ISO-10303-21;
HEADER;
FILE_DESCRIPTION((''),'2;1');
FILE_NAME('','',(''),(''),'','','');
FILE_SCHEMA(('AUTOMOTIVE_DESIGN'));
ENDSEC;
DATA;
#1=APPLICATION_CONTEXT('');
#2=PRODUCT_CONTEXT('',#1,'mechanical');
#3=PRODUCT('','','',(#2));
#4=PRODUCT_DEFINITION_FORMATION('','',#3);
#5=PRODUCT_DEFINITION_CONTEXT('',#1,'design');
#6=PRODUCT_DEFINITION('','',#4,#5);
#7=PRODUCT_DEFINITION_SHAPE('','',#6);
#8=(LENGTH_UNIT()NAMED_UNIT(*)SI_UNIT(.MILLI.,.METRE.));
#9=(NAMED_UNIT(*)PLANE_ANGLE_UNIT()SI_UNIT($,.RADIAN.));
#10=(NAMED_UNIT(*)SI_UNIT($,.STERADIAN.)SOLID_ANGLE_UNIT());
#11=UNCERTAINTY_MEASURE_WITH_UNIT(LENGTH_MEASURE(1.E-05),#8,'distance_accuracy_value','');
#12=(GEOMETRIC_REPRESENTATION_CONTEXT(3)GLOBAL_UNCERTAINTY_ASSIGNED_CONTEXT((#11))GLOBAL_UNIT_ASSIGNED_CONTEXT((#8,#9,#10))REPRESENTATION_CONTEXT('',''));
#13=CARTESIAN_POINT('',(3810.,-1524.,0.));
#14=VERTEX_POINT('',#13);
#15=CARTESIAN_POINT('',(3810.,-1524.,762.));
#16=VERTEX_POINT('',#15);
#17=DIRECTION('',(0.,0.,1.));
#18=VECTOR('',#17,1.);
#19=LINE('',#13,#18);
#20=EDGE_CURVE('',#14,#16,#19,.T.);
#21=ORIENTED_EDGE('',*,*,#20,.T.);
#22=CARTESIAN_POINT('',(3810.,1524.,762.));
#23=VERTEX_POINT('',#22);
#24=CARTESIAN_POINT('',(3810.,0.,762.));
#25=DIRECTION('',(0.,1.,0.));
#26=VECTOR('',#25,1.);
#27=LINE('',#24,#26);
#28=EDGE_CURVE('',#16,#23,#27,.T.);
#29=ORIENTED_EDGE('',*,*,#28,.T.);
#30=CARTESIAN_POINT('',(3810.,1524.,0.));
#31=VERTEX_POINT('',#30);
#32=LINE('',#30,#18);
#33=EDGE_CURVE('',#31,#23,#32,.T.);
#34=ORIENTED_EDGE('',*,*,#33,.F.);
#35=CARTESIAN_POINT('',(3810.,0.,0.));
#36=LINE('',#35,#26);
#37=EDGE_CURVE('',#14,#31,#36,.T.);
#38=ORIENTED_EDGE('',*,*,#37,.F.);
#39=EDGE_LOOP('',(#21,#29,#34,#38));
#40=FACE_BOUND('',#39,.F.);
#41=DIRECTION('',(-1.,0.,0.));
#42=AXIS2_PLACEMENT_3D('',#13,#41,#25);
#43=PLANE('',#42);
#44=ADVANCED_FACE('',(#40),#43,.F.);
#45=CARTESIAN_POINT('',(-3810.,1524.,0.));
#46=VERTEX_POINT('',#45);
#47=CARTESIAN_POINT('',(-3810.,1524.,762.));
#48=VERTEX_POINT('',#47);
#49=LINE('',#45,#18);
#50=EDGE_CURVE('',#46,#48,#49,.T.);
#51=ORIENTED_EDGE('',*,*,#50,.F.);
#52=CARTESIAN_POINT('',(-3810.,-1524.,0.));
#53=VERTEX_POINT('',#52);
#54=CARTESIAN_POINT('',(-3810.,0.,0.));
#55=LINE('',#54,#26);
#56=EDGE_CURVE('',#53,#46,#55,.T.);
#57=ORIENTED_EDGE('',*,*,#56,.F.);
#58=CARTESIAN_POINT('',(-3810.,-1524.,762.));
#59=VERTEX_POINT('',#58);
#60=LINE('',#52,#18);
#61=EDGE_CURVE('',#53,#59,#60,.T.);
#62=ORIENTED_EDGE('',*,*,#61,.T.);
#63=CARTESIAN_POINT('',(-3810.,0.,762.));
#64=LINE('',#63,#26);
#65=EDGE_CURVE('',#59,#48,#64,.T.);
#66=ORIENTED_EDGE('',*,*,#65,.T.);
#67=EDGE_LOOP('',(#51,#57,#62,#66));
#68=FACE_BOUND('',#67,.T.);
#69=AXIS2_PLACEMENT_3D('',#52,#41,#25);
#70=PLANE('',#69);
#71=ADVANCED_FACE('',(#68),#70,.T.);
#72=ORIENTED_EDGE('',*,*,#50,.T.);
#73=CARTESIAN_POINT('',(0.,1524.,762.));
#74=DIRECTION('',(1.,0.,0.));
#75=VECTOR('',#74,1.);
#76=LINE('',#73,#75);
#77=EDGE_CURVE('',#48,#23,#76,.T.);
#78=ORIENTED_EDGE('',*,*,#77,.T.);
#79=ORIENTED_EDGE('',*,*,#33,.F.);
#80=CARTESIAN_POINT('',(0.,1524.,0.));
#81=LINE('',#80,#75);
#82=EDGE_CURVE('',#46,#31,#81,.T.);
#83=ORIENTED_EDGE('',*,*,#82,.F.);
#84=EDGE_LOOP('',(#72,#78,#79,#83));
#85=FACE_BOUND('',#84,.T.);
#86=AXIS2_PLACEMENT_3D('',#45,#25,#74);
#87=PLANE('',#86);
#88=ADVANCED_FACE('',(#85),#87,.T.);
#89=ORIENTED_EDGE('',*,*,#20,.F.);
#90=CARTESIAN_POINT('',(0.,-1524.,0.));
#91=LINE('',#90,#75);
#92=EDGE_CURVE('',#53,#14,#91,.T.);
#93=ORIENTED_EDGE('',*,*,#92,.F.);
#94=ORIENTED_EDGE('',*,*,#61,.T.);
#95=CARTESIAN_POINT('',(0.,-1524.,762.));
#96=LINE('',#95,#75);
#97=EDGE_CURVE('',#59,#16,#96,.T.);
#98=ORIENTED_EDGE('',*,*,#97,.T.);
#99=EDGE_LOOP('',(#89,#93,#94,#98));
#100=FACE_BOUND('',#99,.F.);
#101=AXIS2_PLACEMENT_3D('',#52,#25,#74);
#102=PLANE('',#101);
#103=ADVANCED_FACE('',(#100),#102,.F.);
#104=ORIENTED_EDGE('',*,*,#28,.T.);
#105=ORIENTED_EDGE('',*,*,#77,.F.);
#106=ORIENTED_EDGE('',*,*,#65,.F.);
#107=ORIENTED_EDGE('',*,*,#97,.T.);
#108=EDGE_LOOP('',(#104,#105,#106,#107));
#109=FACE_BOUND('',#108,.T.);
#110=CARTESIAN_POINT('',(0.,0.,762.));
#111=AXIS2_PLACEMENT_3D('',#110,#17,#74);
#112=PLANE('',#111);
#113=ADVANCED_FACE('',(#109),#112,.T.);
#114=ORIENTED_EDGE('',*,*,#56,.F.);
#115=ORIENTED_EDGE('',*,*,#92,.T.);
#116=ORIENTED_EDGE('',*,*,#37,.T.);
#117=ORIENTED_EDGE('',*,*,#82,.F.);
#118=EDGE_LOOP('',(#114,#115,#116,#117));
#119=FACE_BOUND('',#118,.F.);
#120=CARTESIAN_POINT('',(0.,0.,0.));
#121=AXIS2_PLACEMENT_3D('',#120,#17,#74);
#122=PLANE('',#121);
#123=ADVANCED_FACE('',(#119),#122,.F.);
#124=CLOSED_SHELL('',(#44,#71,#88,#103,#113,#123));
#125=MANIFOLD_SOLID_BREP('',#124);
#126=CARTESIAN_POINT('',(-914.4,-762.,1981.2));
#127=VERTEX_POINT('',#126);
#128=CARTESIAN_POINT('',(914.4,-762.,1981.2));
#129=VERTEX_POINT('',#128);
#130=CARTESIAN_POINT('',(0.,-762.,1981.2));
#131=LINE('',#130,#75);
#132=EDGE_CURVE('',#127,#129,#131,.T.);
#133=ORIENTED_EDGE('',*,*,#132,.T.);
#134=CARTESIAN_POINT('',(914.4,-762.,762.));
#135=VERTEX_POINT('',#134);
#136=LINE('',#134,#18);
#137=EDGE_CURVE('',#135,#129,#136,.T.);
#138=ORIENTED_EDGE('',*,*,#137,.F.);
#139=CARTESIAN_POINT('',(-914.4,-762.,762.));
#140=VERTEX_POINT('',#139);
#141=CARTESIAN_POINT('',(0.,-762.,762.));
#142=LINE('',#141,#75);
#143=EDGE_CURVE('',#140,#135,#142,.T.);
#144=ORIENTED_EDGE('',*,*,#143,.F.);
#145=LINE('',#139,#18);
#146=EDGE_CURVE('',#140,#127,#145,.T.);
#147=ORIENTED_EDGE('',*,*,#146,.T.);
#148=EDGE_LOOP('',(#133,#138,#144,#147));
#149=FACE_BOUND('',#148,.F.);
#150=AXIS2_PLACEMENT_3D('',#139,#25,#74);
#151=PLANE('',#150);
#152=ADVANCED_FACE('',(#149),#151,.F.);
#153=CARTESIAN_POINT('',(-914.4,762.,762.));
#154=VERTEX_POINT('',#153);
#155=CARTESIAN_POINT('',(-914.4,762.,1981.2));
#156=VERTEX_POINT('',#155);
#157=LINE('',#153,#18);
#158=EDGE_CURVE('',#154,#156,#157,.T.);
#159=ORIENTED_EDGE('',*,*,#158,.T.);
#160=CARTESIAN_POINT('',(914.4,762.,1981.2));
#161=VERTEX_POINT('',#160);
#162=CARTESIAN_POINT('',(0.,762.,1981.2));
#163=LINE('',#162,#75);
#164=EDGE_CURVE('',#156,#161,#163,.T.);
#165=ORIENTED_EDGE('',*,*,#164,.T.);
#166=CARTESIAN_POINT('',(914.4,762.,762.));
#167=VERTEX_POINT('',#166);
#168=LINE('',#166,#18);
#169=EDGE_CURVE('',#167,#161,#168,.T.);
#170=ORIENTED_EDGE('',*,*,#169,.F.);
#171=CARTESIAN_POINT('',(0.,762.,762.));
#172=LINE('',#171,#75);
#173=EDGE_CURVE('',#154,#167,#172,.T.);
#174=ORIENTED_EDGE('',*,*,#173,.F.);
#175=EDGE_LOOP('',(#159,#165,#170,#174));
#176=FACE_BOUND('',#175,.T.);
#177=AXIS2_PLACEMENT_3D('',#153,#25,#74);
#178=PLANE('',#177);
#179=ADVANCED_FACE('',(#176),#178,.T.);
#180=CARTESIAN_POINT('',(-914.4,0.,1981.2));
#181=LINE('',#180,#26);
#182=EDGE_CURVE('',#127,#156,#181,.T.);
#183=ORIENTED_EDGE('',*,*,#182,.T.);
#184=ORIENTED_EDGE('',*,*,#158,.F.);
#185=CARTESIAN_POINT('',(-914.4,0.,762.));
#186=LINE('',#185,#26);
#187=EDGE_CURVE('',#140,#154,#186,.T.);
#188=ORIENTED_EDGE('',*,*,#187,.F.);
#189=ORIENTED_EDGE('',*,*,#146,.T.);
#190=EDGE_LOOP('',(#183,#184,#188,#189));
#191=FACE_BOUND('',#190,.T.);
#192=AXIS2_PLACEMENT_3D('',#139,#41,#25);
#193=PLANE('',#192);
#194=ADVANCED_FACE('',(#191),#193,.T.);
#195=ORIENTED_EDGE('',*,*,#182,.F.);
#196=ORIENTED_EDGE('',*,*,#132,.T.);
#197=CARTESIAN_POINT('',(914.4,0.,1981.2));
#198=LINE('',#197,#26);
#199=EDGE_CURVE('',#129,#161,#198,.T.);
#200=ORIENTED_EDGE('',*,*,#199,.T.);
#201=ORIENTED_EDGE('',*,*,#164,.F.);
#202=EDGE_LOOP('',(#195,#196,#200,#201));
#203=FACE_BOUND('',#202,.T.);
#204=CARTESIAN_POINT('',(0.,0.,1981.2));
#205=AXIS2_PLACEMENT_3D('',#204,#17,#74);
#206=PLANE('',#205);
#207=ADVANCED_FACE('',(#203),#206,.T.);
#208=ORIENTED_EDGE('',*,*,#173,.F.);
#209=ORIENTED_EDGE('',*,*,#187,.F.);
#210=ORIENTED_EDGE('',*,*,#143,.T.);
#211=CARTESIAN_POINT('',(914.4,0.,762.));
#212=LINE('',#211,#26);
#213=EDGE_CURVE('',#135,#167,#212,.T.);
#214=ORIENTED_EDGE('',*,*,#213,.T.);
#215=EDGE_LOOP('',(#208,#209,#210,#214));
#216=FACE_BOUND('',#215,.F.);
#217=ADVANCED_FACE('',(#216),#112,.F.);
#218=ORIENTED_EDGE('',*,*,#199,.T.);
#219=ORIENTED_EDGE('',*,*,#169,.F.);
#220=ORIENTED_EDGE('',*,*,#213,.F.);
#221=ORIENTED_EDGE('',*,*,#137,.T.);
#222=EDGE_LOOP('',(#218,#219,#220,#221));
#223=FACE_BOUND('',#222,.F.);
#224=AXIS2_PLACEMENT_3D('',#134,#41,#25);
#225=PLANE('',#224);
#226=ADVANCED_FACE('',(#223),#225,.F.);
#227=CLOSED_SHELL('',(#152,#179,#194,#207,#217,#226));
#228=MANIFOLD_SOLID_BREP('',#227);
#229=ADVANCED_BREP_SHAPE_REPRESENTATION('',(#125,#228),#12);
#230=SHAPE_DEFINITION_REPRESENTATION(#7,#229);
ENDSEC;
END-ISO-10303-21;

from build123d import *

# Parameters (mm, degrees)
F0_W     = 7620
F0_H     = 3048
F1_DEPTH = 762
F2_W     = 1828.8
F2_H     = 1524
F3_DEPTH = 1219.2


with BuildPart() as f1:
    # F0 (on Top) → F1 (new body)
    with BuildSketch(Plane.XY):
        Rectangle(F0_W, F0_H)
    extrude(amount=F1_DEPTH)


with BuildPart() as f3:
    # F2 (on face) → F3 (new body)
    with BuildSketch(Plane.XY.offset(762)):
        Rectangle(F2_W, F2_H)
    extrude(amount=F3_DEPTH)


solid = Compound([f1.part, f3.part])
